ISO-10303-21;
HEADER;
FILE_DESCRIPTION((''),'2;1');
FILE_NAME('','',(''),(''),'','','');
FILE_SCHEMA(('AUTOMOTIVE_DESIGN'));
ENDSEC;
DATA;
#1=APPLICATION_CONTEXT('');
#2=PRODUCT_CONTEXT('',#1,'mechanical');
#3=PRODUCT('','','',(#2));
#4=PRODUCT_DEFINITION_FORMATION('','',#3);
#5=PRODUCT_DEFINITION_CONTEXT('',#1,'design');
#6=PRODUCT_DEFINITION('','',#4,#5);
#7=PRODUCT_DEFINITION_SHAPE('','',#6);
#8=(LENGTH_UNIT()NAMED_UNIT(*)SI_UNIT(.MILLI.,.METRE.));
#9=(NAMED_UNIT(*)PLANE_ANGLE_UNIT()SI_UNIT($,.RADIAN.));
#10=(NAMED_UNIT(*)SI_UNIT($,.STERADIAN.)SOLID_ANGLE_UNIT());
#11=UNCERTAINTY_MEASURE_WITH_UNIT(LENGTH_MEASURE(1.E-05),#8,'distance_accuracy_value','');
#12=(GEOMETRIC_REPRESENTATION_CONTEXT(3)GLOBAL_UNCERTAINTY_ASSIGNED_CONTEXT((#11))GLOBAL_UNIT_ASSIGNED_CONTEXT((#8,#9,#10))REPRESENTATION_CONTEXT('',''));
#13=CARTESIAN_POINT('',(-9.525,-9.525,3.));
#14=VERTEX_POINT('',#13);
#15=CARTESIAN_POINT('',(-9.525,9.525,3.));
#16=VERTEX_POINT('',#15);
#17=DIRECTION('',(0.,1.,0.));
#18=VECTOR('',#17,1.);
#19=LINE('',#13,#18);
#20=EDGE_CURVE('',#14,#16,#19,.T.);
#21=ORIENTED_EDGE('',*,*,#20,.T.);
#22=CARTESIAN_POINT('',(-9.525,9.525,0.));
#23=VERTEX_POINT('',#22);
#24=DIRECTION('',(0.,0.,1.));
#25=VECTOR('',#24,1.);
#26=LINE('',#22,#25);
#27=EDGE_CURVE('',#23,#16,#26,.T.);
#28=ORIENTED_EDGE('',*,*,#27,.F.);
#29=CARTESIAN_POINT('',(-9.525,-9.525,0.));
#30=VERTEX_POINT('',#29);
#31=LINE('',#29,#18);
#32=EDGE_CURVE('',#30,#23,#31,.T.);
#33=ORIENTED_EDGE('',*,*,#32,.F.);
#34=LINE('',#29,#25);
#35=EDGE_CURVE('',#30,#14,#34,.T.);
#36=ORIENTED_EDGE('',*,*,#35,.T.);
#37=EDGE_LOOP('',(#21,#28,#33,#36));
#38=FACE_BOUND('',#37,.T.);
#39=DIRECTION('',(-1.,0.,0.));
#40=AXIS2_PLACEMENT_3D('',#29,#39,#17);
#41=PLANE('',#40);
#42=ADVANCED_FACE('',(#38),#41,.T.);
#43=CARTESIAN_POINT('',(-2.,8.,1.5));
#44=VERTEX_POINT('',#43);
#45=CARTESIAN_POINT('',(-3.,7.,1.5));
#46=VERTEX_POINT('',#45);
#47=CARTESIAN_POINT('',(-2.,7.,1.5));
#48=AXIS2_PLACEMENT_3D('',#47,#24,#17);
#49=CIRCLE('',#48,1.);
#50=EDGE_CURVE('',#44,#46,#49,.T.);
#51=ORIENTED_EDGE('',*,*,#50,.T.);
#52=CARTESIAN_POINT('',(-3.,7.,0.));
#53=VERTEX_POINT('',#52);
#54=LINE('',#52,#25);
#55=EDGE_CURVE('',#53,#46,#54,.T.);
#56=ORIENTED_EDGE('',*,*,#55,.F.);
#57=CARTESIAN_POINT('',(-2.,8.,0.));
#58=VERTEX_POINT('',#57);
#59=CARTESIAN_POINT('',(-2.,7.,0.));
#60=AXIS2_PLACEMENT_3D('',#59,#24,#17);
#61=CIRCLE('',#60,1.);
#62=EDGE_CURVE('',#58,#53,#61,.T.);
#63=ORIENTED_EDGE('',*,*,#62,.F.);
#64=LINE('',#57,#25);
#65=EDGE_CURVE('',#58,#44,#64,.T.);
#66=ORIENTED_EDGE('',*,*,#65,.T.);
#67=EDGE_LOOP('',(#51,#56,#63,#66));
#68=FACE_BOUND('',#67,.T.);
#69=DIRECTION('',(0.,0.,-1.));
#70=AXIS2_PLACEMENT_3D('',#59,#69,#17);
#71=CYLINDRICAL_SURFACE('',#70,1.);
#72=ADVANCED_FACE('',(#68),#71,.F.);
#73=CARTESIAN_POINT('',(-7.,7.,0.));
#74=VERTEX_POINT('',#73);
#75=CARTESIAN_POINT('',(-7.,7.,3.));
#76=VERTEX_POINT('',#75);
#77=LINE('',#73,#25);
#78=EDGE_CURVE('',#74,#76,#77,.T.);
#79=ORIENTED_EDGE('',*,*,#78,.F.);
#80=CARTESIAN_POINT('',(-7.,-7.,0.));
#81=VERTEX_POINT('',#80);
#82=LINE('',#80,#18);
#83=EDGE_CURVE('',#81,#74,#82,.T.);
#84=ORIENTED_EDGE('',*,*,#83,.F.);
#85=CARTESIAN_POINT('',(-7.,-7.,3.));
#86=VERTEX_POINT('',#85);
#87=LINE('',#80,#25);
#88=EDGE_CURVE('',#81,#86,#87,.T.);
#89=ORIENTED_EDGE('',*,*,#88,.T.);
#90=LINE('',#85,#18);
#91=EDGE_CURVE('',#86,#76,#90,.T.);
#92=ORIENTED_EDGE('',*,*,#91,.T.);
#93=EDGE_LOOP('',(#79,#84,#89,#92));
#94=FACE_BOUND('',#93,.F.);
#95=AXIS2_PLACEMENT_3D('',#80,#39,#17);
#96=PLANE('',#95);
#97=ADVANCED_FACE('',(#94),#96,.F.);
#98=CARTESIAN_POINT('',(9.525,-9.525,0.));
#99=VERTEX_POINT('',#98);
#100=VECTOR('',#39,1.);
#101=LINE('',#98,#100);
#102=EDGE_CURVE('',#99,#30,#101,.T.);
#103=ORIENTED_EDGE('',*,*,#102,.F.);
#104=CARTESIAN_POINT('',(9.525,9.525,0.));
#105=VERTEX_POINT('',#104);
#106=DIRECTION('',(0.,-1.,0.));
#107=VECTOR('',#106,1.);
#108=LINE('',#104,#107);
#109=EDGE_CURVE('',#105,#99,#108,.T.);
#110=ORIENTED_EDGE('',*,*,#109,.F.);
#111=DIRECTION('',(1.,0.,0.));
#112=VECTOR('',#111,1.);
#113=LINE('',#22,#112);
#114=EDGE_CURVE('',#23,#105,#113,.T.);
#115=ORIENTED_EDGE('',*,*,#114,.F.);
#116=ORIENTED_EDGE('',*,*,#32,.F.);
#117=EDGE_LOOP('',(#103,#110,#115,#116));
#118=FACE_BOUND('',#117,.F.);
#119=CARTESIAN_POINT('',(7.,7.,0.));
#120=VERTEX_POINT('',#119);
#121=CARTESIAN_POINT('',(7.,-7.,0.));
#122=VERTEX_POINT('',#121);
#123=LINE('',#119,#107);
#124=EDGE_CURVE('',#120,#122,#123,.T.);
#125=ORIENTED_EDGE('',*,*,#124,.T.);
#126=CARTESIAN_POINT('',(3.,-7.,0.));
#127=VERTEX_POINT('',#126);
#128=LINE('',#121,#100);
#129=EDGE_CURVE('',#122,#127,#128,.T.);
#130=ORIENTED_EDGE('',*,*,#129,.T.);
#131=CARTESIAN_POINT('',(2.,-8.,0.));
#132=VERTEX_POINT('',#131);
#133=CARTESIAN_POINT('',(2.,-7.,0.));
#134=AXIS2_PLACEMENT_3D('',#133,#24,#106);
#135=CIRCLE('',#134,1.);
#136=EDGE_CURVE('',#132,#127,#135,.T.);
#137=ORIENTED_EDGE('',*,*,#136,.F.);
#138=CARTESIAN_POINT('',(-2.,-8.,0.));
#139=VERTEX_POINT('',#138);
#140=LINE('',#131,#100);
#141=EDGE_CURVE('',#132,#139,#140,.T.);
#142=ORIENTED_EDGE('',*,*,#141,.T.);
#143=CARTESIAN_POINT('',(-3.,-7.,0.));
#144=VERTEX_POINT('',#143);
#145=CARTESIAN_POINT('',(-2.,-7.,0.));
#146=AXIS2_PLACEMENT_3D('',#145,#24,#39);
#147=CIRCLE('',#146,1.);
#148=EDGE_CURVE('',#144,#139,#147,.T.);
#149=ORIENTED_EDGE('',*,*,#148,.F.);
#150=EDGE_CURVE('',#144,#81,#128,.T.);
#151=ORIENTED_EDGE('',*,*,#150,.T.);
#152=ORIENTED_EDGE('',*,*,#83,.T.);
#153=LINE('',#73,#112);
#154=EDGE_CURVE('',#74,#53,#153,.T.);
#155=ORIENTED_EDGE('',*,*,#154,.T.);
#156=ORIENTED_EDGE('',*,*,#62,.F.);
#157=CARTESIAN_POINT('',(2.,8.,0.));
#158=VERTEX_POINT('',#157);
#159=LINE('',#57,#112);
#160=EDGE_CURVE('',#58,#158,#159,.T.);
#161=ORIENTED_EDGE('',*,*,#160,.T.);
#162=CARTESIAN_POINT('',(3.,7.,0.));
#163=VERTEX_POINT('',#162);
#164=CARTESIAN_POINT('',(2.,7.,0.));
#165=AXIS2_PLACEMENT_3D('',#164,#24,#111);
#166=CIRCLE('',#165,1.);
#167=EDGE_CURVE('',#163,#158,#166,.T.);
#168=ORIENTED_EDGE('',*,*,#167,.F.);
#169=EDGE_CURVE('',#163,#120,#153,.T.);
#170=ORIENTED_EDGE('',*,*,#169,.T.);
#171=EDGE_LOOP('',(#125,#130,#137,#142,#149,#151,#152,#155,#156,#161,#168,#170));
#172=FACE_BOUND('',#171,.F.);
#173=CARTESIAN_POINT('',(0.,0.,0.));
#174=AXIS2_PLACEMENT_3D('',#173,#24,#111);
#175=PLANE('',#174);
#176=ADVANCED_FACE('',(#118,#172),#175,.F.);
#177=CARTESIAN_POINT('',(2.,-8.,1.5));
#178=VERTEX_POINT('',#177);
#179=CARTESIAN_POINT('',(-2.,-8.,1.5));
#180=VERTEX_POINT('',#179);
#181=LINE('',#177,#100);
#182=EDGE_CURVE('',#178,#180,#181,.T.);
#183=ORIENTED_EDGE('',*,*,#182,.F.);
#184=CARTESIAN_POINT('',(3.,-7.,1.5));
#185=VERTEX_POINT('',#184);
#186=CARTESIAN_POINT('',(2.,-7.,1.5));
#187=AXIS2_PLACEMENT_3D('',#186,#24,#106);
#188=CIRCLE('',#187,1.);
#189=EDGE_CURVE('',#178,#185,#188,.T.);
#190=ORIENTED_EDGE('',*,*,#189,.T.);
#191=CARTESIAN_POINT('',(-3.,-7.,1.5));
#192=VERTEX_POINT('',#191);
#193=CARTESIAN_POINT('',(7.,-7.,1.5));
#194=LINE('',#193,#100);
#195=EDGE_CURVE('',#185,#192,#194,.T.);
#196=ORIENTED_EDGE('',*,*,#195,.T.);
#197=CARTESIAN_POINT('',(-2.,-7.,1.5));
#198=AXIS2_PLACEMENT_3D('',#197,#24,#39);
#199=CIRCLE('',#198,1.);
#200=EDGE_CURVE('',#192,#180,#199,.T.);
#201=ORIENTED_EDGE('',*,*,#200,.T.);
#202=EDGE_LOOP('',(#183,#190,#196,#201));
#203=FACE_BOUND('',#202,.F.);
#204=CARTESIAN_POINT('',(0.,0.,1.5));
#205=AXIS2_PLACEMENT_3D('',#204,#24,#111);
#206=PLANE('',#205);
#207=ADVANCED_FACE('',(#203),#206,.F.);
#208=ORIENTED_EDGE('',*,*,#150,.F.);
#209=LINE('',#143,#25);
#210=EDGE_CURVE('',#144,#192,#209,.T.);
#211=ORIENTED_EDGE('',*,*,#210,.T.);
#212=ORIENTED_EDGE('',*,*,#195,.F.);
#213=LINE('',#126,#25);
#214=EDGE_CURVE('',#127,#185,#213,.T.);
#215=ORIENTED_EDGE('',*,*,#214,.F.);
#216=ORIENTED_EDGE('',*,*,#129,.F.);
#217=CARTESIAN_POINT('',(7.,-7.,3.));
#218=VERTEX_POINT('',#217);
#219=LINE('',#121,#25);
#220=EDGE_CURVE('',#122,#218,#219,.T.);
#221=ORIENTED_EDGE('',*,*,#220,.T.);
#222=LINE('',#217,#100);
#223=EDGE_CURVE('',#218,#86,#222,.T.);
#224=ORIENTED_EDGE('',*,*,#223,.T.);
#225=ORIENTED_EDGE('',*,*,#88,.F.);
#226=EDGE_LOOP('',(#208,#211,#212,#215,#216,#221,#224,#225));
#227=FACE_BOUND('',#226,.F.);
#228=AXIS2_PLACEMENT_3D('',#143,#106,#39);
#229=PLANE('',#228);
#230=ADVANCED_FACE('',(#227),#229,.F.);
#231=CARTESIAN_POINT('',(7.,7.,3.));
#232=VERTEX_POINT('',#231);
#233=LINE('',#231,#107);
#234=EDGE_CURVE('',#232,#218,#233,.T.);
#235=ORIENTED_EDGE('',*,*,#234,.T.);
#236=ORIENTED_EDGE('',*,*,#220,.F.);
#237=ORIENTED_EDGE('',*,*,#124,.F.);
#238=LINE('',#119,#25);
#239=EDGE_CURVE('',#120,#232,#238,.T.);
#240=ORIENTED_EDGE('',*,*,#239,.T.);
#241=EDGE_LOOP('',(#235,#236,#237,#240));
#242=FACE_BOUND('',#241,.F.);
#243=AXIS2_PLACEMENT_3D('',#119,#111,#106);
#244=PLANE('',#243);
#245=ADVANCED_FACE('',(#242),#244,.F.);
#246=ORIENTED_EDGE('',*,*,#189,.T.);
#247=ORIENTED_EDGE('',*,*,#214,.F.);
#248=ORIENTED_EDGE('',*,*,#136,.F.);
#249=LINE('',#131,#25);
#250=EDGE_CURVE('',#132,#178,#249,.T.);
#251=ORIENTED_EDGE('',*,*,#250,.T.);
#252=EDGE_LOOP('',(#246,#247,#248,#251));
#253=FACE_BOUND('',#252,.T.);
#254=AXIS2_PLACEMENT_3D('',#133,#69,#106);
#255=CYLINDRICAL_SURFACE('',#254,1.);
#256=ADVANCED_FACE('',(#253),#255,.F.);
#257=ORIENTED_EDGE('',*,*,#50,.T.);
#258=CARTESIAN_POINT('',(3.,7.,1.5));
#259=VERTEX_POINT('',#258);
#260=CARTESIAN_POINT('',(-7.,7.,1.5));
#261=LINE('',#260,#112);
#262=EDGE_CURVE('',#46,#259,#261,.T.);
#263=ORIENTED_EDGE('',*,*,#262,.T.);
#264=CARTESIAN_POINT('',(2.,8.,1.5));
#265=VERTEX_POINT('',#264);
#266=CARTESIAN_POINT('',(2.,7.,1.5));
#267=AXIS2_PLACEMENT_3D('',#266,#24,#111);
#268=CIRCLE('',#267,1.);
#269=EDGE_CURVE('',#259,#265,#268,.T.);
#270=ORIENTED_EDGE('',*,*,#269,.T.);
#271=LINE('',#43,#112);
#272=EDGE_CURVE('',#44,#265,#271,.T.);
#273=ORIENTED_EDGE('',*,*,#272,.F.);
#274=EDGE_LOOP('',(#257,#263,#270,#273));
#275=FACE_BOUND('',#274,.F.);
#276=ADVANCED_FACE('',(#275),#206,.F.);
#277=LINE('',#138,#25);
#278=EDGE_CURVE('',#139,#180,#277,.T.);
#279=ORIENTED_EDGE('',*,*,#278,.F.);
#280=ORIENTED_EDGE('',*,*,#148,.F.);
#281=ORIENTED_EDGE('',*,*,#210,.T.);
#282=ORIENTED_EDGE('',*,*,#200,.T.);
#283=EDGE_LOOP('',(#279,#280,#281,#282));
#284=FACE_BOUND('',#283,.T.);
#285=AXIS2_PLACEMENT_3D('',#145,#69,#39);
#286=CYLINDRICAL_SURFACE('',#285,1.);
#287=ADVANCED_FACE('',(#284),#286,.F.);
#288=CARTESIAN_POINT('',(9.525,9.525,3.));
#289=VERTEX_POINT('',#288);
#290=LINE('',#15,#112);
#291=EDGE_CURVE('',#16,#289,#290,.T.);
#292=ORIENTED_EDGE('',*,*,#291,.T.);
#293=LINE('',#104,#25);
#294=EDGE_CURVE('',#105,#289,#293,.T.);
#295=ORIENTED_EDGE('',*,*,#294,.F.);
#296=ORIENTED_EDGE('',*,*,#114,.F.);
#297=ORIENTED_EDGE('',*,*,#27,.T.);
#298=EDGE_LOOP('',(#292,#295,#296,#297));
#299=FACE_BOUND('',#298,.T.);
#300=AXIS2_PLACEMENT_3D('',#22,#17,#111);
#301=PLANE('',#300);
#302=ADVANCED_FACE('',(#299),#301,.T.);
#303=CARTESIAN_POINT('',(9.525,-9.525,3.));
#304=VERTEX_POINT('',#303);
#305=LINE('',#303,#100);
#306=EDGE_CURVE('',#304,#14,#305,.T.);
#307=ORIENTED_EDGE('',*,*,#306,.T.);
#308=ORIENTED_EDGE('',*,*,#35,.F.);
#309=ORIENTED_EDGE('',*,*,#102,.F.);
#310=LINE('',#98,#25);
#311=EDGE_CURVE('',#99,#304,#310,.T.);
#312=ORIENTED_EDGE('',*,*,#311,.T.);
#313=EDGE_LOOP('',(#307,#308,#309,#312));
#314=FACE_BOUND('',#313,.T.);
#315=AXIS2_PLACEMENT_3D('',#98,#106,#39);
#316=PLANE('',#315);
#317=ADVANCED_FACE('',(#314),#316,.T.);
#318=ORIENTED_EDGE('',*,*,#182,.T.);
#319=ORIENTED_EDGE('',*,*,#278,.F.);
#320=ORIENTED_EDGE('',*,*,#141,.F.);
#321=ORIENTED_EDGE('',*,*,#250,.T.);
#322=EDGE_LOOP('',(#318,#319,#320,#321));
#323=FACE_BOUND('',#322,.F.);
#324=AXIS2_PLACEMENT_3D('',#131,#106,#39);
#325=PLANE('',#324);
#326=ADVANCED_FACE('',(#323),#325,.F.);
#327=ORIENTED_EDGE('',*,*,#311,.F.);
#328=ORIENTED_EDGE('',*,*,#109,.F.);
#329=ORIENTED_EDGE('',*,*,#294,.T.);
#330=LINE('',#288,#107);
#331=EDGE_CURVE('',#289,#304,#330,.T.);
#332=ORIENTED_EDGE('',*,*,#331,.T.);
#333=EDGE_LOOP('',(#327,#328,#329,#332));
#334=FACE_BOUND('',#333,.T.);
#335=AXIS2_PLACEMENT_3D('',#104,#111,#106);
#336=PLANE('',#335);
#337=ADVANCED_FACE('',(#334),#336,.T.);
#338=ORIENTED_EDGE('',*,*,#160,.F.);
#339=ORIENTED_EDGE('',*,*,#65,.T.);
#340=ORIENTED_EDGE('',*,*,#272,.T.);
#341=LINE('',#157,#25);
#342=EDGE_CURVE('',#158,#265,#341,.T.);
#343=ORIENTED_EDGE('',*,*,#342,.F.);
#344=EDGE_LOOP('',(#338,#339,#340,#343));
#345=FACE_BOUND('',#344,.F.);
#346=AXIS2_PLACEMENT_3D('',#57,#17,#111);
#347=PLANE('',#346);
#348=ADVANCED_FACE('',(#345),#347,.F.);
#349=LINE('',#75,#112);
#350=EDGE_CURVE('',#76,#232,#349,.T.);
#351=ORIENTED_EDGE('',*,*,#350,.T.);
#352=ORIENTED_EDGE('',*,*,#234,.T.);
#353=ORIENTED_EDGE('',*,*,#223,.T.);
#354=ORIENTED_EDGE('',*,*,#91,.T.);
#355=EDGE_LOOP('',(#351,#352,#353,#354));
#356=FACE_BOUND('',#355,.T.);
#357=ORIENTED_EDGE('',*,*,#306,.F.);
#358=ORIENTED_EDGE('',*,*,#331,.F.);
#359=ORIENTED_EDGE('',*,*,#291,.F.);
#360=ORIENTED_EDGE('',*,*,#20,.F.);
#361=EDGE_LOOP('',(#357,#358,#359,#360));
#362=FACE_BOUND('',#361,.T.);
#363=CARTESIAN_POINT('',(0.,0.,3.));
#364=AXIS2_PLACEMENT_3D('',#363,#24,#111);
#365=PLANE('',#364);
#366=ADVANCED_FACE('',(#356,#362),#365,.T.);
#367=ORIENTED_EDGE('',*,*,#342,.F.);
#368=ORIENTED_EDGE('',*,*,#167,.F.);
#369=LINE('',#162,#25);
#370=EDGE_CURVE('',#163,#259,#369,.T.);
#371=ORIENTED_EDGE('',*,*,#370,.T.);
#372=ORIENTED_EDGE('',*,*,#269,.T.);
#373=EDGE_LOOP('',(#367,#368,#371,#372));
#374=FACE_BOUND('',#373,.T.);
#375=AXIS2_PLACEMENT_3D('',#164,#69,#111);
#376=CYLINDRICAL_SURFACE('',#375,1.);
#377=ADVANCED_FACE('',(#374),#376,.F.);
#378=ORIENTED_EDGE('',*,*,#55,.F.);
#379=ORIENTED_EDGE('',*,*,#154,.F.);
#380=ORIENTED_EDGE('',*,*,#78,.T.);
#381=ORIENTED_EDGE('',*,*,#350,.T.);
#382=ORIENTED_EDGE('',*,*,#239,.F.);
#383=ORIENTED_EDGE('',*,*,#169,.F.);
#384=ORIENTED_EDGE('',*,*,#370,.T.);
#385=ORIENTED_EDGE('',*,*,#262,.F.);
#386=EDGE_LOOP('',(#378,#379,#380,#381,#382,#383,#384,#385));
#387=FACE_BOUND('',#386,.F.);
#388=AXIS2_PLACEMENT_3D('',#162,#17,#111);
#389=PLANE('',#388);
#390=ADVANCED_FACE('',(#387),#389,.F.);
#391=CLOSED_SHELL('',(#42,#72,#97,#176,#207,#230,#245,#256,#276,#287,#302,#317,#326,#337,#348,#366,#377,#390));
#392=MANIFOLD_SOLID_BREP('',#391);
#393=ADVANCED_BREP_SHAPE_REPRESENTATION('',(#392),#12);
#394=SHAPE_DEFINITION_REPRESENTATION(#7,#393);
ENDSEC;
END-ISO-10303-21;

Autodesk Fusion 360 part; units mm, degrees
sketch "スケッチ1" plane through (0, 0, 0) normal (0, 0, 1) x (1, 0, 0)
  line L0 (7, -7) -> (-7, -7)
  line L1 (-7, -7) -> (-7, 7)
  line L2 (-7, 7) -> (7, 7)
  line L3 (7, 7) -> (7, -7)
  line L4 (9.525, -9.525) -> (-9.525, -9.525)
  line L5 (-9.525, -9.525) -> (-9.525, 9.525)
  line L6 (-9.525, 9.525) -> (9.525, 9.525)
  line L7 (9.525, 9.525) -> (9.525, -9.525)
  line L8 (3, 7) -> (3, 7)
  line L9 (-3, 7) -> (-3, 7)
  line L10 (-2, 8) -> (2, 8)
  line L11 (3, -7) -> (3, -7)
  line L12 (2, -8) -> (-2, -8)
  line L13 (-3, -7) -> (-3, -7)
  arc A0 (2, -8) -> (3, -7) centre (2, -7) ccw
  arc A1 (-3, -7) -> (-2, -8) centre (-2, -7) ccw
  arc A2 (3, 7) -> (2, 8) centre (2, 7) ccw
  arc A3 (-2, 8) -> (-3, 7) centre (-2, 7) ccw
  dimension "d8" = 1
extrude "押し出し1" add sketch "スケッチ1" along normal blind 3
extrude "押し出し2" add sketch "スケッチ1" along normal blind 1.5 from surface at 1.5 contours L0 L12 A0 A1 | L2 L10 A2 A3
